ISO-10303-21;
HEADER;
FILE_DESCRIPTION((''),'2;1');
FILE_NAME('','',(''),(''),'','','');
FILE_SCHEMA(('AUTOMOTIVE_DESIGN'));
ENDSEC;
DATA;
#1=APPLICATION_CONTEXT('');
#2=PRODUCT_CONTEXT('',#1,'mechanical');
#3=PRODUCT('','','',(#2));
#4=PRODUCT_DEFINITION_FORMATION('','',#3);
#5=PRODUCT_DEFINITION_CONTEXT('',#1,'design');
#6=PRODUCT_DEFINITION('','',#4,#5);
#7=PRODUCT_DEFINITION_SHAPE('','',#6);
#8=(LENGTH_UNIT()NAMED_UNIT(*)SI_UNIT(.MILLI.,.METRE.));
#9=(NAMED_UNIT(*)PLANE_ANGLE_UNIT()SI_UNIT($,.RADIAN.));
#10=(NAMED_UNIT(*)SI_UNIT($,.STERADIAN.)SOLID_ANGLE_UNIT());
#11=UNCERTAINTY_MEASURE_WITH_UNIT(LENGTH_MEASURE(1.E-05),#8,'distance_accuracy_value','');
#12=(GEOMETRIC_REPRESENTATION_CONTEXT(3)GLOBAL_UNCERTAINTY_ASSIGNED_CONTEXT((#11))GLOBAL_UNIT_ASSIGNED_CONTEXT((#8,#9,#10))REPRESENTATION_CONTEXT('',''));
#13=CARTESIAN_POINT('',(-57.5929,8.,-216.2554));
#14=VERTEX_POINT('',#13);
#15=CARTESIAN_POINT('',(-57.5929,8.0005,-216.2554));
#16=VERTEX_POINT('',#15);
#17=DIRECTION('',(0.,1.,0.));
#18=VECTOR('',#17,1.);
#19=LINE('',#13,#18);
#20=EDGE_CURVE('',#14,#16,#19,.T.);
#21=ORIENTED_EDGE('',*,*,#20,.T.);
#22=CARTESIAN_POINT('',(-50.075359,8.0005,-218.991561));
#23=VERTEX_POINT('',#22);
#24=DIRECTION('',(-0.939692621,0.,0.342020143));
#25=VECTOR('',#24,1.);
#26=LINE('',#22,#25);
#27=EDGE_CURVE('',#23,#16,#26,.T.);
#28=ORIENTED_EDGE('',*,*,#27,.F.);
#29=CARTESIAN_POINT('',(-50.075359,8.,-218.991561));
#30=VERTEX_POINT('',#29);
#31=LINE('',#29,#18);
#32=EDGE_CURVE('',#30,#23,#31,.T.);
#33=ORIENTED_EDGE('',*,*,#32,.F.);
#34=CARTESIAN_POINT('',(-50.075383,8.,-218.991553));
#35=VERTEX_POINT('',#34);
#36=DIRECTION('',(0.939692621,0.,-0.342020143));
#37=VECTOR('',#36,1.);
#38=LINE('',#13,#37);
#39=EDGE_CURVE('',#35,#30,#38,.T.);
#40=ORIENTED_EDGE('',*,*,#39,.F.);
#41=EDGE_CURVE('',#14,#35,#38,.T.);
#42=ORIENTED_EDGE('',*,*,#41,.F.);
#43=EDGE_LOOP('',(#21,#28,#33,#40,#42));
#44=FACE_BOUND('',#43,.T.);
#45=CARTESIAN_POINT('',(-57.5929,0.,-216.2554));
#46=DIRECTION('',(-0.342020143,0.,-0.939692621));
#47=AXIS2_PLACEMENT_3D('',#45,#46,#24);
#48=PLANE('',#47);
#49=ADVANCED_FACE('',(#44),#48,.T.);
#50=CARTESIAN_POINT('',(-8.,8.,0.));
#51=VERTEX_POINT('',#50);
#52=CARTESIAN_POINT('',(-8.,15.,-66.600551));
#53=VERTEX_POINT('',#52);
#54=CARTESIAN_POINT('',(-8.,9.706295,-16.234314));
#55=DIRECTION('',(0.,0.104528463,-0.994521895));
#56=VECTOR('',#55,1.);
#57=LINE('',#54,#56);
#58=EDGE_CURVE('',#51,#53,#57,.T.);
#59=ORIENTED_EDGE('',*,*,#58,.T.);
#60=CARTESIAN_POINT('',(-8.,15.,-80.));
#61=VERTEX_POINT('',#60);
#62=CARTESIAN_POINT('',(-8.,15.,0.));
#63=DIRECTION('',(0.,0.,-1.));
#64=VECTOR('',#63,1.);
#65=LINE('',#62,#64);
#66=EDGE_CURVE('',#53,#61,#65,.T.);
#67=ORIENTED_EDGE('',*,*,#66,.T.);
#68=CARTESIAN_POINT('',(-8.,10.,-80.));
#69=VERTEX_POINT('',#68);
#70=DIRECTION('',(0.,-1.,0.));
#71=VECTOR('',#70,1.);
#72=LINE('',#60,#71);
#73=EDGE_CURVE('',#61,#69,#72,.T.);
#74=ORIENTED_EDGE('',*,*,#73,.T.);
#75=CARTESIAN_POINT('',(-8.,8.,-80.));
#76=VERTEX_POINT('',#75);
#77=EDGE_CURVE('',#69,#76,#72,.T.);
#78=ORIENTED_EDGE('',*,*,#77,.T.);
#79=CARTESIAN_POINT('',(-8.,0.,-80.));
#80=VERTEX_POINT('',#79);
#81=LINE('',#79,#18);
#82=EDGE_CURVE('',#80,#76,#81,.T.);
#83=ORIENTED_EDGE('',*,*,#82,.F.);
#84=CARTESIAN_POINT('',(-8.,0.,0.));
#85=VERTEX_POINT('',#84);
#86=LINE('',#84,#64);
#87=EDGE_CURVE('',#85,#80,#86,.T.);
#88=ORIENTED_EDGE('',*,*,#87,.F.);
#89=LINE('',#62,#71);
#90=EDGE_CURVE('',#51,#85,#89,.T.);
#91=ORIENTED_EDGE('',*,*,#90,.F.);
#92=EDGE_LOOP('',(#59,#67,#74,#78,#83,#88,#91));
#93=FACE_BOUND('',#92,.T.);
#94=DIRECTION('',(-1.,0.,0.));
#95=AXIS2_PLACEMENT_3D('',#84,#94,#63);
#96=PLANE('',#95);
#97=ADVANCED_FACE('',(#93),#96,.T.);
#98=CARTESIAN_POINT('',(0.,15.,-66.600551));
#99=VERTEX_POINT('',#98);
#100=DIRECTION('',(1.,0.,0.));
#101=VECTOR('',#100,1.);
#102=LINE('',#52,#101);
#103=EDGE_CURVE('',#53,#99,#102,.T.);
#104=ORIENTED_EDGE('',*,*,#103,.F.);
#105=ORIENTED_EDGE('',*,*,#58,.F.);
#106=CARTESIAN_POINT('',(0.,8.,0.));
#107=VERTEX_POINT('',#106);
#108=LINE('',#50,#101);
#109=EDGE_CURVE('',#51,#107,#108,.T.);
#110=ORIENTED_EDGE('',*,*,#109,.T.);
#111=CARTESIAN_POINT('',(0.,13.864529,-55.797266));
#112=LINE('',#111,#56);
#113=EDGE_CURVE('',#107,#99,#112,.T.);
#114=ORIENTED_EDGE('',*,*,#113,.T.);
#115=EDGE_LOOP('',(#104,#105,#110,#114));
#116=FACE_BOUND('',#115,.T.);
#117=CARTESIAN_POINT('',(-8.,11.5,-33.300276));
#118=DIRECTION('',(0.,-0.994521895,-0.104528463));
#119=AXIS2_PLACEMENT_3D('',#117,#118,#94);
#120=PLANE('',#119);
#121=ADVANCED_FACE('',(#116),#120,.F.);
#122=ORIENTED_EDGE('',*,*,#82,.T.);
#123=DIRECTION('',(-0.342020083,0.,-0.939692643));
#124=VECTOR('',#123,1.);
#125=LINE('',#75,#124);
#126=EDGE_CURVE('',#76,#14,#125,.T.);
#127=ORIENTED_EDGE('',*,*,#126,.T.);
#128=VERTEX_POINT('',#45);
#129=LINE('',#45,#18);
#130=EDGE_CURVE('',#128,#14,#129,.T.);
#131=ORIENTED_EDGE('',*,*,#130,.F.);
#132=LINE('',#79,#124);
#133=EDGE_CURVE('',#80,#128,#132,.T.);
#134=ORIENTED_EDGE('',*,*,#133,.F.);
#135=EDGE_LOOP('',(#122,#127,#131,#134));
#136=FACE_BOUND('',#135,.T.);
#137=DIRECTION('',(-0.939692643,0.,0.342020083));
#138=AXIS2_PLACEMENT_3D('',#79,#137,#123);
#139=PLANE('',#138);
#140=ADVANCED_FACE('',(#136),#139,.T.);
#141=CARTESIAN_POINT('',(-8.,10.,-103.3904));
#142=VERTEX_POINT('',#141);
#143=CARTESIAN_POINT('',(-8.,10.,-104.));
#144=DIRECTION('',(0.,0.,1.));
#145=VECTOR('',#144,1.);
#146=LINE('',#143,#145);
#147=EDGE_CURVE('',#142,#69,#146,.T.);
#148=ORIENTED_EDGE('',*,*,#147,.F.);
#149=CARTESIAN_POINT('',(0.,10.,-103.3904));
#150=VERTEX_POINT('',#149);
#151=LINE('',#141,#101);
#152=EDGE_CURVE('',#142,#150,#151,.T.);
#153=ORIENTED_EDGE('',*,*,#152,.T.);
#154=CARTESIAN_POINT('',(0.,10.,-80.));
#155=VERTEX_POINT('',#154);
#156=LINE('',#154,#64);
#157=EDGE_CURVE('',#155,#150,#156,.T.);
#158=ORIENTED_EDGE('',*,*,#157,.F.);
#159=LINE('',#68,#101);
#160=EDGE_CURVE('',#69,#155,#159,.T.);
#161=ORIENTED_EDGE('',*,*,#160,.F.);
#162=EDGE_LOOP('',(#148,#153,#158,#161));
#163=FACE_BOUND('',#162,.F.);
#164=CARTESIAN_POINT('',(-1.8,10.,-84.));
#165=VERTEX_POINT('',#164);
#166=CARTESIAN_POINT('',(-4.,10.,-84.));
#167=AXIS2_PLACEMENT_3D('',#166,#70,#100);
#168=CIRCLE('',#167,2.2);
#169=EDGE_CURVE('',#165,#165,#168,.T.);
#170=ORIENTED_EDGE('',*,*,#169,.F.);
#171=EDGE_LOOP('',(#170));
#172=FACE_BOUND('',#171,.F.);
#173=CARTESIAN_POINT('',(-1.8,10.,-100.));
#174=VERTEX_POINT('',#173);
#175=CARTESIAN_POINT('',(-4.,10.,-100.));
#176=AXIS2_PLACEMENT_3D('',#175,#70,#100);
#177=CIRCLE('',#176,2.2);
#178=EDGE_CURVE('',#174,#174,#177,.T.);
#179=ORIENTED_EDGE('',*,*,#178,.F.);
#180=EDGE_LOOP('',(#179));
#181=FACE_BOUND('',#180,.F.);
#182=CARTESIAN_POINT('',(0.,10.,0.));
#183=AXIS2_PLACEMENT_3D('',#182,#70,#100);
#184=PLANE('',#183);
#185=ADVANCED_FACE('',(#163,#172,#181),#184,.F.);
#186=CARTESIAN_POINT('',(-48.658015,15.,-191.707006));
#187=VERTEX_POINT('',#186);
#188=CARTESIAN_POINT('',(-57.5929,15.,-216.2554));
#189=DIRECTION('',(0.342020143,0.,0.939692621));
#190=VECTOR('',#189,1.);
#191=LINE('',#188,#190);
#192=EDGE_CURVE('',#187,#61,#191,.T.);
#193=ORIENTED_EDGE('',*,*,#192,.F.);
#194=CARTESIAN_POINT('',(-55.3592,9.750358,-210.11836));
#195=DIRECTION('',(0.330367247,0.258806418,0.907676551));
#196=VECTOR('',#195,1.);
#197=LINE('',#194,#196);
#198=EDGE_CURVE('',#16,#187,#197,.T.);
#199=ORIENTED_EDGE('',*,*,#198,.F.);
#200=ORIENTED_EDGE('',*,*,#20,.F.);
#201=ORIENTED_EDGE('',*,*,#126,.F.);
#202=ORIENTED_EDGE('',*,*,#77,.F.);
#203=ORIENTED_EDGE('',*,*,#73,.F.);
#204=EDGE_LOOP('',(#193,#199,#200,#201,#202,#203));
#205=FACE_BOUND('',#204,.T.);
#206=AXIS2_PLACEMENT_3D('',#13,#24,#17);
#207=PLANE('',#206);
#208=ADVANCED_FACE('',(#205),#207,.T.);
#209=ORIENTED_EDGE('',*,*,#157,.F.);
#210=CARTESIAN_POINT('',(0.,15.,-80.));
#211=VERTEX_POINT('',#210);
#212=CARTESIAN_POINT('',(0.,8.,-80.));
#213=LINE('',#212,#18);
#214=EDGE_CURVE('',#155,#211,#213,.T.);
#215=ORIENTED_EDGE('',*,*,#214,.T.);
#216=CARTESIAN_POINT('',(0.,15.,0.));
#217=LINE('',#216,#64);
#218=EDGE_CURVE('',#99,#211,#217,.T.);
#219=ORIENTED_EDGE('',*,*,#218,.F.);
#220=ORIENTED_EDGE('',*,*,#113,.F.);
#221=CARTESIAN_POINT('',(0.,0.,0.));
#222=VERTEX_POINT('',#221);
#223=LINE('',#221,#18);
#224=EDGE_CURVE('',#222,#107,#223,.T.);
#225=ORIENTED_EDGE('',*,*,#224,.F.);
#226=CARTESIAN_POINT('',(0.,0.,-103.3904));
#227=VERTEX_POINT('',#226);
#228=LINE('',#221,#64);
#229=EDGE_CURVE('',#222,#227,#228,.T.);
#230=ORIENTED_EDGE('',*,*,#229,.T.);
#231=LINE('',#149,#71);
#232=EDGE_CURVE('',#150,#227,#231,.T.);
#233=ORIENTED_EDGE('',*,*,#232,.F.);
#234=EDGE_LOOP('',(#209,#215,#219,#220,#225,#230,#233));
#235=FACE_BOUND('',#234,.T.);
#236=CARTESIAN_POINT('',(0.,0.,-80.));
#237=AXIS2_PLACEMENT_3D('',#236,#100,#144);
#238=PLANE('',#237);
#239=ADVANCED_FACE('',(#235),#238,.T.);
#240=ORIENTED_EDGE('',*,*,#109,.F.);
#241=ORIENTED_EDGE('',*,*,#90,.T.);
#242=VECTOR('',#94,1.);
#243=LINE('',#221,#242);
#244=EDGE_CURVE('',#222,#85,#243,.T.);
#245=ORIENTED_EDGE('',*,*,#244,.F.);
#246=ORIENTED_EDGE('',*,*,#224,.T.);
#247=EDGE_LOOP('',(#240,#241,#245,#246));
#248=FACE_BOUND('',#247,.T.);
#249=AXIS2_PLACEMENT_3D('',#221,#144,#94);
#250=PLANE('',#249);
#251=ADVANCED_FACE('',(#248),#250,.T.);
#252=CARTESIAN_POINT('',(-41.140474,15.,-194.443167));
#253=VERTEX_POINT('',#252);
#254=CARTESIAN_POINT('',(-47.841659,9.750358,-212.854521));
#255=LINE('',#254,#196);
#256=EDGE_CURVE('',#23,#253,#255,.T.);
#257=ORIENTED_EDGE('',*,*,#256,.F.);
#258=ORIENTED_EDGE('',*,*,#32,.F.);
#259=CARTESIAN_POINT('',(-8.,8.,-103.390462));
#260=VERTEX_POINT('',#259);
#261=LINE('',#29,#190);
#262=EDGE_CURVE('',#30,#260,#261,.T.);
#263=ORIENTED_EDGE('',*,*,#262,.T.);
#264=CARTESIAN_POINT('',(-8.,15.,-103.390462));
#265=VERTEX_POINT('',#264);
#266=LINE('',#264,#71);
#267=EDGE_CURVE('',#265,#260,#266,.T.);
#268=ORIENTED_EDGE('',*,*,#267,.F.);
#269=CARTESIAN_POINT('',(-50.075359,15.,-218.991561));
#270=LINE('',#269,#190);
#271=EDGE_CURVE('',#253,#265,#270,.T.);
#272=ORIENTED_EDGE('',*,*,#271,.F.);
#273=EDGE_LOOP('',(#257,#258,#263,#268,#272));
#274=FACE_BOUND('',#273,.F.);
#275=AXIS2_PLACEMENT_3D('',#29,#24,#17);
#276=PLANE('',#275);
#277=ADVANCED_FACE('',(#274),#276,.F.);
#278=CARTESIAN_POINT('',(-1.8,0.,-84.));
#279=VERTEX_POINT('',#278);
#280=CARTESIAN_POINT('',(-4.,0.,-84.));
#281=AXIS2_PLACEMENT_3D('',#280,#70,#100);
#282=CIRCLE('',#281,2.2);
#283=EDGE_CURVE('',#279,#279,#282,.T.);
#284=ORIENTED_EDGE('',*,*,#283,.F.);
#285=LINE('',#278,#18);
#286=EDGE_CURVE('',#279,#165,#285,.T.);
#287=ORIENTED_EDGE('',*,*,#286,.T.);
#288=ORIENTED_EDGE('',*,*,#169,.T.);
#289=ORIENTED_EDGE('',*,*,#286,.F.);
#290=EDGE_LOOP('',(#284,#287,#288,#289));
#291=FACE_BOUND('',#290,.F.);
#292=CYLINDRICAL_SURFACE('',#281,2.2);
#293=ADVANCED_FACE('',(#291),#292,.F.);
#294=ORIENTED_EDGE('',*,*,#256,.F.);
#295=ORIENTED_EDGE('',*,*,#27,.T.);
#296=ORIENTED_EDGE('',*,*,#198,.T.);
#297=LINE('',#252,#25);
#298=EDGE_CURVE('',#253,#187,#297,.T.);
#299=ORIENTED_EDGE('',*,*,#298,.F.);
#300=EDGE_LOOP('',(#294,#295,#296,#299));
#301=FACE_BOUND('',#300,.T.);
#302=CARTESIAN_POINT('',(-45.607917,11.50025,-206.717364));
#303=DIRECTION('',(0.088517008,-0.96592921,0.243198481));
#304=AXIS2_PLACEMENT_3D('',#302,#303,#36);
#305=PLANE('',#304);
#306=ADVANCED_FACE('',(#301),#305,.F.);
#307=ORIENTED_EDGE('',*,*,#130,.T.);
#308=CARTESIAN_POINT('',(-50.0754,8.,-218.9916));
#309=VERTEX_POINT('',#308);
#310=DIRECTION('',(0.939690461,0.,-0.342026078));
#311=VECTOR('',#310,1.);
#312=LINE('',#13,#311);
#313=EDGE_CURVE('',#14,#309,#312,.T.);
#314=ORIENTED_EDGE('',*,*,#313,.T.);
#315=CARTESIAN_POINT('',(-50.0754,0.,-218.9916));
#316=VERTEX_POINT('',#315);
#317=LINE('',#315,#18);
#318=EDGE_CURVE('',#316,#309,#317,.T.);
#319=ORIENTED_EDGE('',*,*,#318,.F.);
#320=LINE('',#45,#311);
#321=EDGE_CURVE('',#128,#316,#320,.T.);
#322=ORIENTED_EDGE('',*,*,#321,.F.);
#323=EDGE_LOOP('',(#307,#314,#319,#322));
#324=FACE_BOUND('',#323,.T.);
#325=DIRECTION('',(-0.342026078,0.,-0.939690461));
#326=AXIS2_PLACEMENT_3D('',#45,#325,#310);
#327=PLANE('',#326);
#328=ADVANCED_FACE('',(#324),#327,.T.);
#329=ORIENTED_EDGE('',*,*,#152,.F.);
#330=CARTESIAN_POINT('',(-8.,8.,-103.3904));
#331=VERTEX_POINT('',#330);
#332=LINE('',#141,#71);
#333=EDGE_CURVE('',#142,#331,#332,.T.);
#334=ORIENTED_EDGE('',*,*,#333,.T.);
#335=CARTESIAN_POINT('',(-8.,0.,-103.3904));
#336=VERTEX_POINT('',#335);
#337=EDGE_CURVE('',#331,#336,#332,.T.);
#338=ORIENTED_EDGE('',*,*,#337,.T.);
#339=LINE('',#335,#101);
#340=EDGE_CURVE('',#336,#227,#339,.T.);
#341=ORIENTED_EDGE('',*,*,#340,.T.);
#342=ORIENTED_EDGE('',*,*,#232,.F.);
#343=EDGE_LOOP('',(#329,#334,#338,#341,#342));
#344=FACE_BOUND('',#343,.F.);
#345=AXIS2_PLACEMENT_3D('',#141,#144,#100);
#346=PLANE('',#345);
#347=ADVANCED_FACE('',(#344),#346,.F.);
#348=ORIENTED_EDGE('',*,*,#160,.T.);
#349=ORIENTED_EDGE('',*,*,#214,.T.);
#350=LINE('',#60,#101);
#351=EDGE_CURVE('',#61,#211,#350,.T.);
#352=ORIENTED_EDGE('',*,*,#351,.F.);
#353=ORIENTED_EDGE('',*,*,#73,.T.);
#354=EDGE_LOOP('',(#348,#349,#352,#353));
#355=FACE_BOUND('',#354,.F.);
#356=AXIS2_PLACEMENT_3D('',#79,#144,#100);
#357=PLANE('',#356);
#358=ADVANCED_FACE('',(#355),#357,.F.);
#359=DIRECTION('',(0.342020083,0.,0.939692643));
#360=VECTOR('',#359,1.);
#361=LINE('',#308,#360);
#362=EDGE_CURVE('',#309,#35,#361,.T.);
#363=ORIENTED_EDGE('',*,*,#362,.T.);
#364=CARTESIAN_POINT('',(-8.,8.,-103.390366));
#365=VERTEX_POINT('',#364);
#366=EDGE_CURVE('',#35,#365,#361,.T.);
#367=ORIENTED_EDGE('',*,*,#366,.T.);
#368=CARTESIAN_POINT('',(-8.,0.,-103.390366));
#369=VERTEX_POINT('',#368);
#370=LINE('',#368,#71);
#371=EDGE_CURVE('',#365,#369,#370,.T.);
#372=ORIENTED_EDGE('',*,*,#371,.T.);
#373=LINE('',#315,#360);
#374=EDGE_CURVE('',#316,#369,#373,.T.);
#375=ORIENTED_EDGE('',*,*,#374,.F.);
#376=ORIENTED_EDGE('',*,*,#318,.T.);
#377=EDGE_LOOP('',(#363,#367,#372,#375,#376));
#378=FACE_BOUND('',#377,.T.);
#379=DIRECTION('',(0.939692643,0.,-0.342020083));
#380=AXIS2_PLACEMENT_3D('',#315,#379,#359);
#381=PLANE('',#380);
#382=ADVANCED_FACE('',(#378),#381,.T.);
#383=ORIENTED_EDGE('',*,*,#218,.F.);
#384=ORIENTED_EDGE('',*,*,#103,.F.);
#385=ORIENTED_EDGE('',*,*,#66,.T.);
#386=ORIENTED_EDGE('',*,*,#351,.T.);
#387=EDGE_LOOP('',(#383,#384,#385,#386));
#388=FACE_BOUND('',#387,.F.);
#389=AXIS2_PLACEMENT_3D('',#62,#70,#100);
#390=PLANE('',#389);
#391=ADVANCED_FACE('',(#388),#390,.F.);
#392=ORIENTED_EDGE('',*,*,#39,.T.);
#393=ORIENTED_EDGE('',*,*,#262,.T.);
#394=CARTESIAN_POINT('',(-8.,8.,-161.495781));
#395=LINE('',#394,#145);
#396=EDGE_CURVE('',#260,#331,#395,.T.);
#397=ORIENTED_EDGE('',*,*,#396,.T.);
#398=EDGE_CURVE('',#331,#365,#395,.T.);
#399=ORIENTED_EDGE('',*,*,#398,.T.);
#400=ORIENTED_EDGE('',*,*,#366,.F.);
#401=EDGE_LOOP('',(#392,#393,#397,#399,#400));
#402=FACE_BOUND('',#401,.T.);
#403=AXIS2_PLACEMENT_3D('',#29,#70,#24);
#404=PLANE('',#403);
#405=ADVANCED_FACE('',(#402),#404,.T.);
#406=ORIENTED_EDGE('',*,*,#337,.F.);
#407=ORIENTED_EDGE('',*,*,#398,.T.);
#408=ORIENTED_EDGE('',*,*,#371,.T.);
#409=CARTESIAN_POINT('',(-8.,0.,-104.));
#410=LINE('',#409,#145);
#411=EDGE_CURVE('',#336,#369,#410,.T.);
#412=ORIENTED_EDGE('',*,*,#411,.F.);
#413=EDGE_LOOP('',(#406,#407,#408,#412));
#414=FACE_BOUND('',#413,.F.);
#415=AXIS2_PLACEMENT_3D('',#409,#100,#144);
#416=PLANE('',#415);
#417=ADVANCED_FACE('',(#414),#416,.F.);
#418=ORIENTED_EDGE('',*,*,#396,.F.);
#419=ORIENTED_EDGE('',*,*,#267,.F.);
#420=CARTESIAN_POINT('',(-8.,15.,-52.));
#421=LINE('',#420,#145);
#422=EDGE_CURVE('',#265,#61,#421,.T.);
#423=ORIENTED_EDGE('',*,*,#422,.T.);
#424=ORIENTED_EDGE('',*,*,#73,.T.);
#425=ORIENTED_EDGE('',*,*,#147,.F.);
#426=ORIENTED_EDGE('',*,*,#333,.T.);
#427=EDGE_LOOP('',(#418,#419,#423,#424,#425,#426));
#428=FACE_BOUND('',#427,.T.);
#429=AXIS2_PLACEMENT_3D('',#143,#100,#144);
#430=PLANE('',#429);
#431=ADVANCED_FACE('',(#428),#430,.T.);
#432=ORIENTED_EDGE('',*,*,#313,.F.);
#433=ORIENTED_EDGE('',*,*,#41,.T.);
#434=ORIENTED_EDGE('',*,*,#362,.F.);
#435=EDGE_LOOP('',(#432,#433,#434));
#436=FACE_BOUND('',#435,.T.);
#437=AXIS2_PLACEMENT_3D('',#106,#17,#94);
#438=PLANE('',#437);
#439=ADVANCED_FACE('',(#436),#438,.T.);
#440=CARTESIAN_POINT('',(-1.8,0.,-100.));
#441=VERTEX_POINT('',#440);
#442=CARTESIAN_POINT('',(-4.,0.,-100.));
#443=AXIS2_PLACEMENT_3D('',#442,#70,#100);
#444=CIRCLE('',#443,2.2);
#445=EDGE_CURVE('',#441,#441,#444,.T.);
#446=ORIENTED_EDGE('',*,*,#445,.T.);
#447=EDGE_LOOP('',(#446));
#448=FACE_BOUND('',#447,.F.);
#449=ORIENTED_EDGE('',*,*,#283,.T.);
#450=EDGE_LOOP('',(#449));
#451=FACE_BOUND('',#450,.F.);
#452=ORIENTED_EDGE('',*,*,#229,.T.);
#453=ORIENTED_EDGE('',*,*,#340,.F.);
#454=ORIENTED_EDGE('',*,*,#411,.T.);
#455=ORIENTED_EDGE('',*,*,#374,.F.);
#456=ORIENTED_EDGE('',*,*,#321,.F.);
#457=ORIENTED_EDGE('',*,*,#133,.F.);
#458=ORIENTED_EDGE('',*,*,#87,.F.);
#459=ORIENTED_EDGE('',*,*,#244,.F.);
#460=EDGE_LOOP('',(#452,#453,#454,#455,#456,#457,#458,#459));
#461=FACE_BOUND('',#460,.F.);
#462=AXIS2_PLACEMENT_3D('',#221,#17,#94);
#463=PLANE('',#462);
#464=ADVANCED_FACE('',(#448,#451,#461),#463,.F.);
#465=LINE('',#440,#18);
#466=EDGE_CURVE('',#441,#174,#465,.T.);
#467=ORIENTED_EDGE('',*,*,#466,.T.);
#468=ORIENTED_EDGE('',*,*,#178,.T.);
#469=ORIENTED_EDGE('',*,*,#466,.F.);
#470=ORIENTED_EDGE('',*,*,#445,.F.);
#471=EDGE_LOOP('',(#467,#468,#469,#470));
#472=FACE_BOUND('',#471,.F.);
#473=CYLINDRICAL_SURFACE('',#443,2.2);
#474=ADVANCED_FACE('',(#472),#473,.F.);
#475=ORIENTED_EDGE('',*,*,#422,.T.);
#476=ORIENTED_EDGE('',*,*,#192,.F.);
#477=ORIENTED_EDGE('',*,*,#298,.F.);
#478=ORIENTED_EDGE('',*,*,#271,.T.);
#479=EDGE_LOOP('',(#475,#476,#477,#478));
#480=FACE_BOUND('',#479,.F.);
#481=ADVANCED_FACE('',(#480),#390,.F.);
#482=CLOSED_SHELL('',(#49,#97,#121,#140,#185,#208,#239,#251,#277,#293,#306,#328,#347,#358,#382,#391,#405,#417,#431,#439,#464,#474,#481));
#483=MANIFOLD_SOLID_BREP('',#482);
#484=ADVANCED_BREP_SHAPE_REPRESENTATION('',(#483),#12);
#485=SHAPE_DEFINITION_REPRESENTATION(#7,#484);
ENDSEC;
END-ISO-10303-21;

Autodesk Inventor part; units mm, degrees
ref_plane "YZ Plane" through (0, 0, 0) normal (1, 0, 0) x (0, 1, 0)
ref_plane "XZ Plane" through (0, 0, 0) normal (0, 1, 0) x (-1, 0, 0)
ref_plane "XY Plane" through (0, 0, 0) normal (0, 0, 1) x (1, 0, 0)
sketch "Sketch1" plane through (0, 0, 0) normal (0, 1, 0) x (-1, 0, 0)
  line L0 (0, 0) -> (8, 0)
  line L1 (8, 0) -> (8, -80)
  line L2 (0, -80) -> (0, 0)
  line L3 (8, -80) -> (57.5929, -216.2554)
  line L4 (8, -80) -> (153, -80) construction
  line L5 (57.5929, -216.2554) -> (50.0754, -218.9916)
  line L6 (50.0754, -218.9916) -> (0.4825, -82.7362)
  line L7 (0.4825, -82.7362) -> (0, -81.4106)
  line L8 (0, -81.4106) -> (0, -80)
  dimension "d3" = 8
  dimension "d4" = 80
  dimension "d6" = 70
  dimension "d7" = 8
extrude "Extrusion1" add sketch "Sketch1" along normal blind 8
sketch "Sketch2" plane through (-8, 0, 0) normal (0, 0, 1) x (1, 0, 0)
  line L0 (8, 8) -> (8, 15)
  line L1 (8, 8) -> (0, 8)
  line L2 (8, 8) -> (-42.0754, 8) projected
  line L3 (0, 8) -> (0, 15)
  line L4 (0, 15) -> (8, 15)
  point P0 (8, 0)
  dimension "d10" = 7
  dimension "d11" = 8
extrude "Extrusion2" add sketch "Sketch2" against normal blind 80
sketch "Sketch3" plane through (-57.5929, 0, -216.2554) normal (-0.342, 0, -0.9397) x (-0.9397, 0, 0.342)
  line L0 (-8, 0) -> (-8, 8) projected
  line L1 (0, 0) -> (0, 8) projected
  line L2 (-8, 8) -> (0, 8)
  line L3 (-7.5175, 15) -> (-7.5175, 8) projected
  line L4 (-8, 8) -> (-8, 15)
  line L5 (0, 8) -> (0, 15)
  line L6 (0, 15) -> (-8, 15)
  point P0 (19.8441, 0)
  dimension "d14" = 8
extrude "Extrusion3" add sketch "Sketch3" against normal blind 145
sketch "Sketch8" plane through (0, 0, 0) normal (0, -1, 0) x (1, 0, 0)
  line L0 (-8, -80) -> (-8, 0) projected
  line L1 (-8, -80) -> (0, -80)
  line L2 (0, -80) -> (0, -104)
  line L3 (0, -104) -> (-8, -104)
  line L4 (-8, -104) -> (-8, -80)
  circle A0 centre (-4, -100) radius 2.2
  circle A1 centre (-4, -84) radius 2.2
  point P0 (0, 0)
  point P1 (-4, -80)
  point P2 (-4, -104)
  dimension "d24" = 24
  dimension "d25" = 4.4
  dimension "d26" = 4.4
  dimension "d27" = 4
  dimension "d28" = 4
extrude "Extrusion7" add sketch "Sketch8" against normal blind 10
sketch "Sketch9" plane through (0, 10, 0) normal (0, 1, 0) x (1, 0, 0)
  line L0 (0, 80) -> (0, 104) projected
  line L1 (-8, 80) -> (-0.4825, 82.7362) projected
  line L2 (0, 104) -> (-8, 104)
  line L3 (-8, 104) -> (-8, 80)
  line L4 (-8, 80) -> (0, 80)
  line L5 (0, 80) -> (0, 104)
  point P0 (0, 0)
extrude "Extrusion8" cut sketch "Sketch9" along normal blind 145
extrude "Extrusion9" cut sketch "Sketch8" against normal blind 24 contours A1
chamfer "Chamfer1" distance 7 angle 84 1 edges at (-4, 15, 0) measured on face at (-5.3333, 5, 0)
chamfer "Chamfer2" distance 7 angle 75 1 edges at (-53.8342, 15, -217.6235) measured on face at (-55.0871, 5, -217.1675)
sketch "Sketch10" plane through (0, 10, 0) normal (0, 1, 0) x (1, 0, 0)
  line L0 (-8, 104) -> (0, 104) projected
  line L1 (-8, 104) -> (-8, 103.3904) projected
  line L2 (0, 104) -> (-8, 104)
  line L3 (-8, 104) -> (-8, 103.3904)
  line L4 (-8, 103.3904) -> (0, 103.3904)
  line L5 (0, 103.3904) -> (0, 104)
  point P0 (0, 0)
extrude "Extrusion10" cut sketch "Sketch10" against normal blind 10
properties part number "intake arm left"
